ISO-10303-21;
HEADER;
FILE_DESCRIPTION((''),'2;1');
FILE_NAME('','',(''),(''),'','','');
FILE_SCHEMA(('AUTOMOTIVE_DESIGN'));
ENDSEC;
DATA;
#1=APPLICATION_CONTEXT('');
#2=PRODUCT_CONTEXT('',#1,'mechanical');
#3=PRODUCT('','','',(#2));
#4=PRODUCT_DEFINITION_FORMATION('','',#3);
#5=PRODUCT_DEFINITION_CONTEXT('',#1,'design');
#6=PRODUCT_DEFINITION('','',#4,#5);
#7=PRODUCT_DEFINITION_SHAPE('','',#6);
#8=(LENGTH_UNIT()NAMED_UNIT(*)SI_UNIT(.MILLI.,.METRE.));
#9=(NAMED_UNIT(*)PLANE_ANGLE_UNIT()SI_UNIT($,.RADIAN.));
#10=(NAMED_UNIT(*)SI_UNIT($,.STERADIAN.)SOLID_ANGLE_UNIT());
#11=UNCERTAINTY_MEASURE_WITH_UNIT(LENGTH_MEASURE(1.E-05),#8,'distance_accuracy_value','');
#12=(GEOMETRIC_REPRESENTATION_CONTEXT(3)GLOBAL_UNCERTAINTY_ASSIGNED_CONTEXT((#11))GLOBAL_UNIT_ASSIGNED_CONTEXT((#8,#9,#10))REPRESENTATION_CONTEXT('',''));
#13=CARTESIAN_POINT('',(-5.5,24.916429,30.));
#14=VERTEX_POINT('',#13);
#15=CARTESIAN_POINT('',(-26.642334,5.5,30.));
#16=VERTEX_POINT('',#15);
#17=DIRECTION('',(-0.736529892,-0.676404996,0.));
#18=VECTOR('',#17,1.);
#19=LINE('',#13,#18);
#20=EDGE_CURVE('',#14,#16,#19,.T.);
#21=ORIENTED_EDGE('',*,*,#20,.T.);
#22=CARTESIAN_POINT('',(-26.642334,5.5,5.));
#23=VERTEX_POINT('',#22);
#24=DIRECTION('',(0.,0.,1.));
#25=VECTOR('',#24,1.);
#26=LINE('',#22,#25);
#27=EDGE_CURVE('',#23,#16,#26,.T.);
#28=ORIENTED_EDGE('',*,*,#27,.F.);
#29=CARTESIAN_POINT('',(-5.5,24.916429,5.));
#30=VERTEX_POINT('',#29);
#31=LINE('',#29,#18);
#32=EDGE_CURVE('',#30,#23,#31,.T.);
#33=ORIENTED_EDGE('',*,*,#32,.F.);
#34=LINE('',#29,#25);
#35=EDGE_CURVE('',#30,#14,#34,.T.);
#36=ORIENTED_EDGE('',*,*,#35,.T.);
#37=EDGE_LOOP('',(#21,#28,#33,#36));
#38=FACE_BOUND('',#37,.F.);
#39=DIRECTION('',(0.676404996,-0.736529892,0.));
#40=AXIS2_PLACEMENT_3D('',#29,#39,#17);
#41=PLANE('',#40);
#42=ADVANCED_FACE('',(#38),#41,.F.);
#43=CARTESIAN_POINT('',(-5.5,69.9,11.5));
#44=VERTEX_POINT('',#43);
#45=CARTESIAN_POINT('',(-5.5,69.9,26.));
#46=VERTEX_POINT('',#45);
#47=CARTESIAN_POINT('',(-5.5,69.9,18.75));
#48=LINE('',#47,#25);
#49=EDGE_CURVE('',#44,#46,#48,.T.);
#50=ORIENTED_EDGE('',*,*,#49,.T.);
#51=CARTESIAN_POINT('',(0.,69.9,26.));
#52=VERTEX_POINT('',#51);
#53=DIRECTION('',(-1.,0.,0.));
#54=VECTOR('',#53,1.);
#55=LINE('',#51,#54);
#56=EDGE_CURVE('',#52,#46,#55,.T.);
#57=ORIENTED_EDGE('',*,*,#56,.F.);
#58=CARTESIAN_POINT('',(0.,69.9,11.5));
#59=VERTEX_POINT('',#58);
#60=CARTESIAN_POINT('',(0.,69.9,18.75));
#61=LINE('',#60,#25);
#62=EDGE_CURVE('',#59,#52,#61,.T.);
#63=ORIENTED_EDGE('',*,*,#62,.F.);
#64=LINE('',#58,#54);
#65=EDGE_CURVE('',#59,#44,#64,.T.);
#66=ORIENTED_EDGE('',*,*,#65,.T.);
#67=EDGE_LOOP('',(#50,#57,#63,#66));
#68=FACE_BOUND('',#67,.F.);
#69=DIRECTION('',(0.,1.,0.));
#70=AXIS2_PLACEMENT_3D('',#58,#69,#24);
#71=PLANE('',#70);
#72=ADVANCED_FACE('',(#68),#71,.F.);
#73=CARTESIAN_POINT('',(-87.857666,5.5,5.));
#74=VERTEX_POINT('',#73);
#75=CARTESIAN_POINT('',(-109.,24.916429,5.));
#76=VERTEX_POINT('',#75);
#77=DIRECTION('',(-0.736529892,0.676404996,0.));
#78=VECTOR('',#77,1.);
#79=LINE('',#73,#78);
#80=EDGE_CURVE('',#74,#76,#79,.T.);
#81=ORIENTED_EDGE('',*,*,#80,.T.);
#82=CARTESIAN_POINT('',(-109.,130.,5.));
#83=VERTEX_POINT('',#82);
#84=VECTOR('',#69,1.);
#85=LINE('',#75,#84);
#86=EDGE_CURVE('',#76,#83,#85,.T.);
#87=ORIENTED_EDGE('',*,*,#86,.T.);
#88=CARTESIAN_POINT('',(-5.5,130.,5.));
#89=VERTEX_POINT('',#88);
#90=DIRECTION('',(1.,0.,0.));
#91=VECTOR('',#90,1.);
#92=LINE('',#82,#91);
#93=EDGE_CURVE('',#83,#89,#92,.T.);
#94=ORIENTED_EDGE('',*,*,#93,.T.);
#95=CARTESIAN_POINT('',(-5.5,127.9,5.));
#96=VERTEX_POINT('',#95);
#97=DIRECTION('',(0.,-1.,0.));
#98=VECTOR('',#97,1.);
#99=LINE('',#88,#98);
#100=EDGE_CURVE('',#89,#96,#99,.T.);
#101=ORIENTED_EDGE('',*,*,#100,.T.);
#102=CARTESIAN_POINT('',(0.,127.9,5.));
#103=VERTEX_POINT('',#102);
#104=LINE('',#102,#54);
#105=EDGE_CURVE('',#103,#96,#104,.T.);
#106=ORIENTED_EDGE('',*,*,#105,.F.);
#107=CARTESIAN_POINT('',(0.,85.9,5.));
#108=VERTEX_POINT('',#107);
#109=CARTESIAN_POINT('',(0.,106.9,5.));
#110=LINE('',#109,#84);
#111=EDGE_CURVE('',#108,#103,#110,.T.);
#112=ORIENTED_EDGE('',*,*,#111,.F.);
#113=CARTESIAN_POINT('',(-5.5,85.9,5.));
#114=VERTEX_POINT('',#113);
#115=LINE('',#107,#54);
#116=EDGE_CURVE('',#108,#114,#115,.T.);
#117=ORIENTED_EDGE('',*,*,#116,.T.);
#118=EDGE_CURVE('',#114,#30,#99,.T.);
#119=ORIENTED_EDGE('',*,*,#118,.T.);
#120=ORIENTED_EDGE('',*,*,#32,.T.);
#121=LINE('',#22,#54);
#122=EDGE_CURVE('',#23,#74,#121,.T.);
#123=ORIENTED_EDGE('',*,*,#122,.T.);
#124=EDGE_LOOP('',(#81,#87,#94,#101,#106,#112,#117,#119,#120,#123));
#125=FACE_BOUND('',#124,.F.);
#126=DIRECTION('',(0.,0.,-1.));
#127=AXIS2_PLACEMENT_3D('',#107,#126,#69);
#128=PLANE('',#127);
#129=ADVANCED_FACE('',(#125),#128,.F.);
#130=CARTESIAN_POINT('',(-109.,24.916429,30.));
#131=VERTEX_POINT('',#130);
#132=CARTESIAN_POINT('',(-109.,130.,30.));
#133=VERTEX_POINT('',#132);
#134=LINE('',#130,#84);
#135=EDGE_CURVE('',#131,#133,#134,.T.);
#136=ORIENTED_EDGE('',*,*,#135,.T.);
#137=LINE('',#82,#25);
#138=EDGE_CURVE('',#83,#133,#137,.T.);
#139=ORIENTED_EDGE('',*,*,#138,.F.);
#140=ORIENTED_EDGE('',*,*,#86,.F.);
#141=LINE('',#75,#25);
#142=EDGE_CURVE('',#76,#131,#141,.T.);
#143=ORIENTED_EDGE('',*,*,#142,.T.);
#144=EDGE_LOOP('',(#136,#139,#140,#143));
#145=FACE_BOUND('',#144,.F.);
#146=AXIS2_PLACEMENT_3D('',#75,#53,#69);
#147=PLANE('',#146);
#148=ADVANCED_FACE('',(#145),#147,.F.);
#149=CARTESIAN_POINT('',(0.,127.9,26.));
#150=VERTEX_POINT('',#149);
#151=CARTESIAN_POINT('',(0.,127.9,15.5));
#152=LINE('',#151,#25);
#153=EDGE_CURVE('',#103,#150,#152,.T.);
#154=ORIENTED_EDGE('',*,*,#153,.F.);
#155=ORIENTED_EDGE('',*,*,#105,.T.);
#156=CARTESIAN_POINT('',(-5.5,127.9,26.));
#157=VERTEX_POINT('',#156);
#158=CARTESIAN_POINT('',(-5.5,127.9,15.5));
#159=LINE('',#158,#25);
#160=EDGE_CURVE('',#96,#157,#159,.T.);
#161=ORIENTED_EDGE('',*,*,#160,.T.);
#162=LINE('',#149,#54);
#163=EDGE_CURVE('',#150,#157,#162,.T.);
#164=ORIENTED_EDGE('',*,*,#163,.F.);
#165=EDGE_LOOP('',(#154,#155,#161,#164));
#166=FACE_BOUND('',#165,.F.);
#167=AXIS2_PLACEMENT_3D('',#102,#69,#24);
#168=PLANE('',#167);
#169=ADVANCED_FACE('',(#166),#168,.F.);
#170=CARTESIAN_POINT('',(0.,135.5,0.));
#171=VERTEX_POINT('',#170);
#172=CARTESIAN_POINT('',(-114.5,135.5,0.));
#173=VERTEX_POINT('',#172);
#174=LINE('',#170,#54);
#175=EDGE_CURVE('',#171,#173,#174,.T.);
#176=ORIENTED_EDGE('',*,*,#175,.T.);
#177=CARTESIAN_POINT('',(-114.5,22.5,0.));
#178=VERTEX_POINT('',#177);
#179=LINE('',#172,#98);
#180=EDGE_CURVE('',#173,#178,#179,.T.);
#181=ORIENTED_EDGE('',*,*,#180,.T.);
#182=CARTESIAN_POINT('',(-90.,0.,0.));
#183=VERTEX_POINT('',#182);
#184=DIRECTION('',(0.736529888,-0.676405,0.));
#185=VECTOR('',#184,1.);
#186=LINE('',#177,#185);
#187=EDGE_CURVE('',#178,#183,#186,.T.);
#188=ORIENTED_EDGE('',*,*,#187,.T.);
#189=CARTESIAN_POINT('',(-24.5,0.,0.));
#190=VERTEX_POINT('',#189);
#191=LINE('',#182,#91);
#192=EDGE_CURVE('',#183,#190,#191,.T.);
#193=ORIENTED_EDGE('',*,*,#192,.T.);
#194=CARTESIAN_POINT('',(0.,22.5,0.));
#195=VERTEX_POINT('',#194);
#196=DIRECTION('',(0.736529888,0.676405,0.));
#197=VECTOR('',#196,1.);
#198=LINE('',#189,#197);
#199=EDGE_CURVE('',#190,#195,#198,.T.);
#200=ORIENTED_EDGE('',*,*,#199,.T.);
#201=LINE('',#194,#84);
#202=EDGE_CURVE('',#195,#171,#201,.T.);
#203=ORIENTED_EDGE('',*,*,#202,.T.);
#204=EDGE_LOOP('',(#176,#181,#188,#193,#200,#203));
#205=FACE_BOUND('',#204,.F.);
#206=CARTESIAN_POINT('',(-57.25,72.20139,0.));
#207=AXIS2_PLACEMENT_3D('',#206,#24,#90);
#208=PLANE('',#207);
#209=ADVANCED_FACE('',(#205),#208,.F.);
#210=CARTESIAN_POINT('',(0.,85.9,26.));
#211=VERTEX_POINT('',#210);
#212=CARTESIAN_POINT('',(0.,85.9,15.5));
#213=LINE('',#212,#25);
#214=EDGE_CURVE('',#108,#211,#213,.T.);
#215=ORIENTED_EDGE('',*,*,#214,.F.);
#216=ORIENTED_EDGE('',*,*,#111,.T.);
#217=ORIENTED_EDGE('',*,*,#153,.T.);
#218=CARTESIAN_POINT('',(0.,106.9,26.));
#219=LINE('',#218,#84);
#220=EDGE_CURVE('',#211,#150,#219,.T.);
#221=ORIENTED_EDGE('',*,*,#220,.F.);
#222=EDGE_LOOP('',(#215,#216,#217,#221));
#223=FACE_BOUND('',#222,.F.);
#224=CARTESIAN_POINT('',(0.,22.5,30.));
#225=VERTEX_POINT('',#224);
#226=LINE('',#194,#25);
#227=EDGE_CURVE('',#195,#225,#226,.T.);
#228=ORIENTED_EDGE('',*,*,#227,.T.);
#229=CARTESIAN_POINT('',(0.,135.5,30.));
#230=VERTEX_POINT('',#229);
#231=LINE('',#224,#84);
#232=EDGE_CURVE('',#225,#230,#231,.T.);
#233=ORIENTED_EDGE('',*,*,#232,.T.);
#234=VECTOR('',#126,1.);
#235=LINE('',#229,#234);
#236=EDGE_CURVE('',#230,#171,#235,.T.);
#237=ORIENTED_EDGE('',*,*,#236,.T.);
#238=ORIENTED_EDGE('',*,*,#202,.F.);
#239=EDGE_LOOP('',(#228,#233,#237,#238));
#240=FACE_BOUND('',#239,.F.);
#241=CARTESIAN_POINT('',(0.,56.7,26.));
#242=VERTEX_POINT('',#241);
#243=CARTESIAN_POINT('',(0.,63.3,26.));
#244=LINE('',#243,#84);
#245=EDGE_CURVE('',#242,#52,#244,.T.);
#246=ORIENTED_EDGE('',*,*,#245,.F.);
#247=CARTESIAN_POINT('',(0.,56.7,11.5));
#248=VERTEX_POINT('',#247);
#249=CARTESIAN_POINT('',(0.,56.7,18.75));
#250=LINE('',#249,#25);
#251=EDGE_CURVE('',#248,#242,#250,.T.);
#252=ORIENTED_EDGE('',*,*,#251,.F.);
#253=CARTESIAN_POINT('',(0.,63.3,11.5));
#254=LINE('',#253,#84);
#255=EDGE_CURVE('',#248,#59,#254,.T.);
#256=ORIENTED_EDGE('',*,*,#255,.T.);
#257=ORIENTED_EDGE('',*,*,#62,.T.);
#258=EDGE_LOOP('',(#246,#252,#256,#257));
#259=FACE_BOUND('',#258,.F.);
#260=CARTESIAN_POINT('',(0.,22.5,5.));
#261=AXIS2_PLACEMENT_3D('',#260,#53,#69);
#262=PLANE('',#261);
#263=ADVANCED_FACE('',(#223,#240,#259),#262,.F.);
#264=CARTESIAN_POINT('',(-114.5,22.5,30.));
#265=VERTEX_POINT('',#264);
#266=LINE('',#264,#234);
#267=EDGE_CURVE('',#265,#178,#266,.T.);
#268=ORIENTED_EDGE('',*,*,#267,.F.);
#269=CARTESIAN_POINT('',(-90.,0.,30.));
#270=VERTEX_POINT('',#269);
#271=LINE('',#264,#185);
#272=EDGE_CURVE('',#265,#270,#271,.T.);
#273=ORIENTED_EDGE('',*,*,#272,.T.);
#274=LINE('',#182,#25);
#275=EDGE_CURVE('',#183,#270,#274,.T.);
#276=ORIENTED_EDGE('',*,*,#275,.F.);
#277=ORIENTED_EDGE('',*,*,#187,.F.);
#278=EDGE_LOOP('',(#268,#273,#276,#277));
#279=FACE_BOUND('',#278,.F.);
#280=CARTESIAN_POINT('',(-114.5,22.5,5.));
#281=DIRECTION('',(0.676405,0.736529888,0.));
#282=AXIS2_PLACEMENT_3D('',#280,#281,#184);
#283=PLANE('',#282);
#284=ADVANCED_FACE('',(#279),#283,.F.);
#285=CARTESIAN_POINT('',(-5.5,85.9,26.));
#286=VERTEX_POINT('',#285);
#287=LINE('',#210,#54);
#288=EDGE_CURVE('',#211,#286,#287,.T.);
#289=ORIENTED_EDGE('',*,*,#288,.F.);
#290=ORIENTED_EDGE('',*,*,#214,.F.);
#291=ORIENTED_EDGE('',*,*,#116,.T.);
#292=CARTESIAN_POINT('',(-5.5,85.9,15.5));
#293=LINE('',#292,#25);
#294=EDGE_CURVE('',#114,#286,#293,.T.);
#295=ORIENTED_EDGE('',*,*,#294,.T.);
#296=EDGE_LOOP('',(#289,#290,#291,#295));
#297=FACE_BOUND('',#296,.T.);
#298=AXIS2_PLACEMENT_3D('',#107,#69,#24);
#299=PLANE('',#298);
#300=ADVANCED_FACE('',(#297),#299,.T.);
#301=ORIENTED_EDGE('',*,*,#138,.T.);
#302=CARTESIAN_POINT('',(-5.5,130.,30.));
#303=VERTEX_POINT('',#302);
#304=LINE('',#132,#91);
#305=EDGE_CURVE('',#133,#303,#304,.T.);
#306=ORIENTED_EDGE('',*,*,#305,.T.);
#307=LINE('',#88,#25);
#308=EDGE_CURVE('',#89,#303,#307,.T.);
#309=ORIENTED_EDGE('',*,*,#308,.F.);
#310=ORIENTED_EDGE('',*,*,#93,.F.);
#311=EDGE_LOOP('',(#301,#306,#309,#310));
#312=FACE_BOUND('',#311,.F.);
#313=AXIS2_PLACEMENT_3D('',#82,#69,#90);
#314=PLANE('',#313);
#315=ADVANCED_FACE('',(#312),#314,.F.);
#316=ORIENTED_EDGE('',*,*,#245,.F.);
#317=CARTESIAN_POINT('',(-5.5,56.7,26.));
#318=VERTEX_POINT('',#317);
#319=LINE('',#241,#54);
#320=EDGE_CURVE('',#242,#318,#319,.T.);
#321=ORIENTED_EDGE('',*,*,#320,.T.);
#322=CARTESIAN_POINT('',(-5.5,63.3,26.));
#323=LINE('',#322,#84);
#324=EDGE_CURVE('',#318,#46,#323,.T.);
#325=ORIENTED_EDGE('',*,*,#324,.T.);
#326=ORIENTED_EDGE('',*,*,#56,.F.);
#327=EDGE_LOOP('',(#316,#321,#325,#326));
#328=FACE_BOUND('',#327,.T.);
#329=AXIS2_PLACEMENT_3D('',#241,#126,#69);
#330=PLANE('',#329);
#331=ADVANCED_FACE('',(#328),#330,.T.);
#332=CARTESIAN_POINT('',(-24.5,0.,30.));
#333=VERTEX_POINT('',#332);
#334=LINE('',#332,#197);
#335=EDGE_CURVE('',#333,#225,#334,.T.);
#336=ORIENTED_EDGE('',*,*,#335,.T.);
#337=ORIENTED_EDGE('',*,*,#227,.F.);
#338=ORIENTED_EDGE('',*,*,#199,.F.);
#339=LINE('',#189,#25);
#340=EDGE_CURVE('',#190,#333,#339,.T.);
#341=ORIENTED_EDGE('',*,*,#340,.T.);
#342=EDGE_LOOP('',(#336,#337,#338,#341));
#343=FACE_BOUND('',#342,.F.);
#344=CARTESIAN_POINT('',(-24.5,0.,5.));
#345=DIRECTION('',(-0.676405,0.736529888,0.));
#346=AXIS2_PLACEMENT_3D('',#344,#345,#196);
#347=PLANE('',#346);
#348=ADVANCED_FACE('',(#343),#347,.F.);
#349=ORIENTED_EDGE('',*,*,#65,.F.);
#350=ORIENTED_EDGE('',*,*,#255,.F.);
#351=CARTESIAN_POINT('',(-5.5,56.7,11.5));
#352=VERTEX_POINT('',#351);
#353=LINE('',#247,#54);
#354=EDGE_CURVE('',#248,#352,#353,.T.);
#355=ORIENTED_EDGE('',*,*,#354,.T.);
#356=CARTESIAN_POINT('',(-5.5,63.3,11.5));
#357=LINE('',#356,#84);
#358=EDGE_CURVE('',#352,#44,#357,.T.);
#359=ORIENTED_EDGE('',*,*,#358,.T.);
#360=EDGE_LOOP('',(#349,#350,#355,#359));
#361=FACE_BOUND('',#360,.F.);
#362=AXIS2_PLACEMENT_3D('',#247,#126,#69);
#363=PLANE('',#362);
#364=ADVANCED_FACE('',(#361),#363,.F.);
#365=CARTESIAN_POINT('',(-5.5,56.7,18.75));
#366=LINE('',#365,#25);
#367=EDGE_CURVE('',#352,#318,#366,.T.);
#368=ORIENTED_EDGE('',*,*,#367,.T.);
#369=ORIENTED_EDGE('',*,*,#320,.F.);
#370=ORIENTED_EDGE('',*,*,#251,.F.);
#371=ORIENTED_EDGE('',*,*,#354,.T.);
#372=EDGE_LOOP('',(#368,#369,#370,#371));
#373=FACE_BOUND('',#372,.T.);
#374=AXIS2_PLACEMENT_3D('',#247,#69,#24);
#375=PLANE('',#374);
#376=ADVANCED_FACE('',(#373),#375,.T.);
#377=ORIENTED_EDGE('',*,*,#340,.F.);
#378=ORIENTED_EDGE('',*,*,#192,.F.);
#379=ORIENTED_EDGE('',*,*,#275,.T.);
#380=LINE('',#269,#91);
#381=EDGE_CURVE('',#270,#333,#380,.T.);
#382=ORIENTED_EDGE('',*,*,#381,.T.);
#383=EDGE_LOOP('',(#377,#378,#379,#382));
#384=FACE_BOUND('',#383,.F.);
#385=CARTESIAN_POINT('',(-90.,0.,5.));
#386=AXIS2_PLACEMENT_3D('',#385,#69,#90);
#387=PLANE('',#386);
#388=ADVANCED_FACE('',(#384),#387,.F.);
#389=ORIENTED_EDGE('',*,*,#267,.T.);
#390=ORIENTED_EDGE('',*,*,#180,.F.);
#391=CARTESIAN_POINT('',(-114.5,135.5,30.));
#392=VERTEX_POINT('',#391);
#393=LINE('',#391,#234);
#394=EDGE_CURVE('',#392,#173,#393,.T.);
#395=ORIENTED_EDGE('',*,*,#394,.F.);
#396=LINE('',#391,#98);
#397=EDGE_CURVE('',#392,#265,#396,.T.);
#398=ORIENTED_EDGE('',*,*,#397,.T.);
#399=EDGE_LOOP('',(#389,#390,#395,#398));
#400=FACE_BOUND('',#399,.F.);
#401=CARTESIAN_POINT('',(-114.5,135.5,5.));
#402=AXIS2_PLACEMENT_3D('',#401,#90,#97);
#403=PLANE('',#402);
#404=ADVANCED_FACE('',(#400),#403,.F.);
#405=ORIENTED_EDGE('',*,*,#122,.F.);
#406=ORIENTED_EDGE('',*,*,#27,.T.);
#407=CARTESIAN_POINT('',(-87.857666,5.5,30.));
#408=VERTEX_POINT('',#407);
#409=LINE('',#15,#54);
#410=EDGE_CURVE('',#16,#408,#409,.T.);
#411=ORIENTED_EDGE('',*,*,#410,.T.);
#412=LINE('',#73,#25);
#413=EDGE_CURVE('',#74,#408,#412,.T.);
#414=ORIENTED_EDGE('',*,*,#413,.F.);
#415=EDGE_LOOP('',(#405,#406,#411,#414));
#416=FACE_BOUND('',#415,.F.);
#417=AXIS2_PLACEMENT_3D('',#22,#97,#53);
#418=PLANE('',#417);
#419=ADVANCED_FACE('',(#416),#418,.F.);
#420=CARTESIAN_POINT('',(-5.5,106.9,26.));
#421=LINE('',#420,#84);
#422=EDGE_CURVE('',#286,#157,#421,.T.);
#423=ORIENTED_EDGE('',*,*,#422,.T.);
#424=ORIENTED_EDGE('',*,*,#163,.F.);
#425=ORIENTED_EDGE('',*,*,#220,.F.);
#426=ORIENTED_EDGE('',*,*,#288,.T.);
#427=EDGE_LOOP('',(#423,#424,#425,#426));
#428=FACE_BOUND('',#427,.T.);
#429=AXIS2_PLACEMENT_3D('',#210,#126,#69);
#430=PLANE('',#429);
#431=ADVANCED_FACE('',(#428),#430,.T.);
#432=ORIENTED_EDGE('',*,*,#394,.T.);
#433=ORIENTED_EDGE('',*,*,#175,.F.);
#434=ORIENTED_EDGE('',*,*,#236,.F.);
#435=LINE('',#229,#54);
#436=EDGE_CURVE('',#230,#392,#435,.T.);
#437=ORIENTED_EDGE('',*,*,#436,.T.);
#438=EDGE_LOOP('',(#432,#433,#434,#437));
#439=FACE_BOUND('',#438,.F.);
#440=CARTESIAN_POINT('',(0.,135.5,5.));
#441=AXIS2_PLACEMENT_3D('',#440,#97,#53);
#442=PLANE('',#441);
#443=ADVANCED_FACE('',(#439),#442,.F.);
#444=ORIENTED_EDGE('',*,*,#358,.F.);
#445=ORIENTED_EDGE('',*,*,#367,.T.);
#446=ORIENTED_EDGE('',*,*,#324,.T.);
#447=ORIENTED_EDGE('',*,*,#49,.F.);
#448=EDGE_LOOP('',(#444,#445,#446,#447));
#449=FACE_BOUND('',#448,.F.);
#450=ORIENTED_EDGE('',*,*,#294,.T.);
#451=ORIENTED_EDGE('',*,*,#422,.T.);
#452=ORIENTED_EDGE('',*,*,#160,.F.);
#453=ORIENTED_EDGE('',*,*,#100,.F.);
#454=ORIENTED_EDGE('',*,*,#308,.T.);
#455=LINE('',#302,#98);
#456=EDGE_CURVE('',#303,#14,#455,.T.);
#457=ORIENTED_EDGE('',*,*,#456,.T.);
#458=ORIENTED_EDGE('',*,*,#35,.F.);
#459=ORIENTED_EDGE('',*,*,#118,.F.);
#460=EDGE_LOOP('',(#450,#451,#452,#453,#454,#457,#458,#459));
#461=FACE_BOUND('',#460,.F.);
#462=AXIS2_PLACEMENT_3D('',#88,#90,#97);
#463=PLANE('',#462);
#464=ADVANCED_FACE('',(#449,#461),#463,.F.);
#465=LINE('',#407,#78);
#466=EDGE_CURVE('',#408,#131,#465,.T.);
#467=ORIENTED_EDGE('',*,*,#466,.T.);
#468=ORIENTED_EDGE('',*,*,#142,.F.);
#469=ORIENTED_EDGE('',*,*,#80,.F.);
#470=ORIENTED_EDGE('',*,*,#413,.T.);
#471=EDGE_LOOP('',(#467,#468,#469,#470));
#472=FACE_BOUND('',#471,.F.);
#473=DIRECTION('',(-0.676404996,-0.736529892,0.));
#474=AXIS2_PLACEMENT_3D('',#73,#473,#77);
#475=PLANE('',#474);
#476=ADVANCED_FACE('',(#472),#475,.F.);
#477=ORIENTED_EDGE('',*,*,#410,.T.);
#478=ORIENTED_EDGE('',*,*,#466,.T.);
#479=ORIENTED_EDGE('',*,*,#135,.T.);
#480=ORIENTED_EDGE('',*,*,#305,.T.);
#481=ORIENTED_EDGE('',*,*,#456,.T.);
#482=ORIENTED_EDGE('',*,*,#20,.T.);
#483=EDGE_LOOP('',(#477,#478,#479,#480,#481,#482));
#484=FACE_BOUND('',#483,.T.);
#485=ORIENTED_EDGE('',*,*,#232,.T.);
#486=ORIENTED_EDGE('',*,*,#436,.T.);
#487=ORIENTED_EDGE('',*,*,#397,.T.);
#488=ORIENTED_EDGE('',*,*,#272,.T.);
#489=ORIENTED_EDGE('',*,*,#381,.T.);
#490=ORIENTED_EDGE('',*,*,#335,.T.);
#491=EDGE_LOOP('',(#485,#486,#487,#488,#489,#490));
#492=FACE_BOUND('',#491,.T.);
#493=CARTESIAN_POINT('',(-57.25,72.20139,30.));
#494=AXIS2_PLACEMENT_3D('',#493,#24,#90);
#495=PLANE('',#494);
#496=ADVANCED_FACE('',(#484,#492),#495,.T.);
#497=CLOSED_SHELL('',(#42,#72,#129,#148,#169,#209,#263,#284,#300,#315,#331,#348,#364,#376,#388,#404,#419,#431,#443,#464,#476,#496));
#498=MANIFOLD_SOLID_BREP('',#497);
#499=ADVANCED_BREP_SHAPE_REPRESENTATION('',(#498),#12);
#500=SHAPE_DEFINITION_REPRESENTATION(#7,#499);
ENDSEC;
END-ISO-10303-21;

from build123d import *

# Parameters (mm, degrees)
F1_DEPTH = 5
F3_DEPTH = 25
F4_W     = 42
F4_H     = 21
F4_W_2   = 13.2
F4_H_2   = 14.5
F5_DEPTH = 5.5


with BuildPart() as f1:
    # F0 (on Top) → F1 (new body)
    with BuildSketch(Plane.XY):
        Polygon((-90, 0), (-24.5, 0), (0, 22.5), (0, 135.5), (-114.5, 135.5), (-114.5, 22.5), align=None)
    extrude(amount=F1_DEPTH)

    # F2 (on face) → F3 (join)
    with BuildSketch(Plane.XY.offset(5)):
        Polygon((-114.5, 22.5), (-90, 0), (-24.5, 0), (0, 22.5), (0, 135.5), (-114.5, 135.5), align=None)
        Polygon((-5.5, 24.916429), (-26.642334, 5.5), (-87.857666, 5.5), (-109, 24.916429), (-109, 130), (-5.5, 130), align=None, mode=Mode.SUBTRACT)
    extrude(amount=F3_DEPTH)

    # F4 (on face) → F5 (cut, through all)
    with BuildSketch(Plane.YZ):
        with Locations((106.9, 15.5)):
            Rectangle(F4_W, F4_H)
        with Locations((63.3, 18.75)):
            Rectangle(F4_W_2, F4_H_2)
    extrude(amount=-F5_DEPTH, mode=Mode.SUBTRACT)


solid = f1.part
